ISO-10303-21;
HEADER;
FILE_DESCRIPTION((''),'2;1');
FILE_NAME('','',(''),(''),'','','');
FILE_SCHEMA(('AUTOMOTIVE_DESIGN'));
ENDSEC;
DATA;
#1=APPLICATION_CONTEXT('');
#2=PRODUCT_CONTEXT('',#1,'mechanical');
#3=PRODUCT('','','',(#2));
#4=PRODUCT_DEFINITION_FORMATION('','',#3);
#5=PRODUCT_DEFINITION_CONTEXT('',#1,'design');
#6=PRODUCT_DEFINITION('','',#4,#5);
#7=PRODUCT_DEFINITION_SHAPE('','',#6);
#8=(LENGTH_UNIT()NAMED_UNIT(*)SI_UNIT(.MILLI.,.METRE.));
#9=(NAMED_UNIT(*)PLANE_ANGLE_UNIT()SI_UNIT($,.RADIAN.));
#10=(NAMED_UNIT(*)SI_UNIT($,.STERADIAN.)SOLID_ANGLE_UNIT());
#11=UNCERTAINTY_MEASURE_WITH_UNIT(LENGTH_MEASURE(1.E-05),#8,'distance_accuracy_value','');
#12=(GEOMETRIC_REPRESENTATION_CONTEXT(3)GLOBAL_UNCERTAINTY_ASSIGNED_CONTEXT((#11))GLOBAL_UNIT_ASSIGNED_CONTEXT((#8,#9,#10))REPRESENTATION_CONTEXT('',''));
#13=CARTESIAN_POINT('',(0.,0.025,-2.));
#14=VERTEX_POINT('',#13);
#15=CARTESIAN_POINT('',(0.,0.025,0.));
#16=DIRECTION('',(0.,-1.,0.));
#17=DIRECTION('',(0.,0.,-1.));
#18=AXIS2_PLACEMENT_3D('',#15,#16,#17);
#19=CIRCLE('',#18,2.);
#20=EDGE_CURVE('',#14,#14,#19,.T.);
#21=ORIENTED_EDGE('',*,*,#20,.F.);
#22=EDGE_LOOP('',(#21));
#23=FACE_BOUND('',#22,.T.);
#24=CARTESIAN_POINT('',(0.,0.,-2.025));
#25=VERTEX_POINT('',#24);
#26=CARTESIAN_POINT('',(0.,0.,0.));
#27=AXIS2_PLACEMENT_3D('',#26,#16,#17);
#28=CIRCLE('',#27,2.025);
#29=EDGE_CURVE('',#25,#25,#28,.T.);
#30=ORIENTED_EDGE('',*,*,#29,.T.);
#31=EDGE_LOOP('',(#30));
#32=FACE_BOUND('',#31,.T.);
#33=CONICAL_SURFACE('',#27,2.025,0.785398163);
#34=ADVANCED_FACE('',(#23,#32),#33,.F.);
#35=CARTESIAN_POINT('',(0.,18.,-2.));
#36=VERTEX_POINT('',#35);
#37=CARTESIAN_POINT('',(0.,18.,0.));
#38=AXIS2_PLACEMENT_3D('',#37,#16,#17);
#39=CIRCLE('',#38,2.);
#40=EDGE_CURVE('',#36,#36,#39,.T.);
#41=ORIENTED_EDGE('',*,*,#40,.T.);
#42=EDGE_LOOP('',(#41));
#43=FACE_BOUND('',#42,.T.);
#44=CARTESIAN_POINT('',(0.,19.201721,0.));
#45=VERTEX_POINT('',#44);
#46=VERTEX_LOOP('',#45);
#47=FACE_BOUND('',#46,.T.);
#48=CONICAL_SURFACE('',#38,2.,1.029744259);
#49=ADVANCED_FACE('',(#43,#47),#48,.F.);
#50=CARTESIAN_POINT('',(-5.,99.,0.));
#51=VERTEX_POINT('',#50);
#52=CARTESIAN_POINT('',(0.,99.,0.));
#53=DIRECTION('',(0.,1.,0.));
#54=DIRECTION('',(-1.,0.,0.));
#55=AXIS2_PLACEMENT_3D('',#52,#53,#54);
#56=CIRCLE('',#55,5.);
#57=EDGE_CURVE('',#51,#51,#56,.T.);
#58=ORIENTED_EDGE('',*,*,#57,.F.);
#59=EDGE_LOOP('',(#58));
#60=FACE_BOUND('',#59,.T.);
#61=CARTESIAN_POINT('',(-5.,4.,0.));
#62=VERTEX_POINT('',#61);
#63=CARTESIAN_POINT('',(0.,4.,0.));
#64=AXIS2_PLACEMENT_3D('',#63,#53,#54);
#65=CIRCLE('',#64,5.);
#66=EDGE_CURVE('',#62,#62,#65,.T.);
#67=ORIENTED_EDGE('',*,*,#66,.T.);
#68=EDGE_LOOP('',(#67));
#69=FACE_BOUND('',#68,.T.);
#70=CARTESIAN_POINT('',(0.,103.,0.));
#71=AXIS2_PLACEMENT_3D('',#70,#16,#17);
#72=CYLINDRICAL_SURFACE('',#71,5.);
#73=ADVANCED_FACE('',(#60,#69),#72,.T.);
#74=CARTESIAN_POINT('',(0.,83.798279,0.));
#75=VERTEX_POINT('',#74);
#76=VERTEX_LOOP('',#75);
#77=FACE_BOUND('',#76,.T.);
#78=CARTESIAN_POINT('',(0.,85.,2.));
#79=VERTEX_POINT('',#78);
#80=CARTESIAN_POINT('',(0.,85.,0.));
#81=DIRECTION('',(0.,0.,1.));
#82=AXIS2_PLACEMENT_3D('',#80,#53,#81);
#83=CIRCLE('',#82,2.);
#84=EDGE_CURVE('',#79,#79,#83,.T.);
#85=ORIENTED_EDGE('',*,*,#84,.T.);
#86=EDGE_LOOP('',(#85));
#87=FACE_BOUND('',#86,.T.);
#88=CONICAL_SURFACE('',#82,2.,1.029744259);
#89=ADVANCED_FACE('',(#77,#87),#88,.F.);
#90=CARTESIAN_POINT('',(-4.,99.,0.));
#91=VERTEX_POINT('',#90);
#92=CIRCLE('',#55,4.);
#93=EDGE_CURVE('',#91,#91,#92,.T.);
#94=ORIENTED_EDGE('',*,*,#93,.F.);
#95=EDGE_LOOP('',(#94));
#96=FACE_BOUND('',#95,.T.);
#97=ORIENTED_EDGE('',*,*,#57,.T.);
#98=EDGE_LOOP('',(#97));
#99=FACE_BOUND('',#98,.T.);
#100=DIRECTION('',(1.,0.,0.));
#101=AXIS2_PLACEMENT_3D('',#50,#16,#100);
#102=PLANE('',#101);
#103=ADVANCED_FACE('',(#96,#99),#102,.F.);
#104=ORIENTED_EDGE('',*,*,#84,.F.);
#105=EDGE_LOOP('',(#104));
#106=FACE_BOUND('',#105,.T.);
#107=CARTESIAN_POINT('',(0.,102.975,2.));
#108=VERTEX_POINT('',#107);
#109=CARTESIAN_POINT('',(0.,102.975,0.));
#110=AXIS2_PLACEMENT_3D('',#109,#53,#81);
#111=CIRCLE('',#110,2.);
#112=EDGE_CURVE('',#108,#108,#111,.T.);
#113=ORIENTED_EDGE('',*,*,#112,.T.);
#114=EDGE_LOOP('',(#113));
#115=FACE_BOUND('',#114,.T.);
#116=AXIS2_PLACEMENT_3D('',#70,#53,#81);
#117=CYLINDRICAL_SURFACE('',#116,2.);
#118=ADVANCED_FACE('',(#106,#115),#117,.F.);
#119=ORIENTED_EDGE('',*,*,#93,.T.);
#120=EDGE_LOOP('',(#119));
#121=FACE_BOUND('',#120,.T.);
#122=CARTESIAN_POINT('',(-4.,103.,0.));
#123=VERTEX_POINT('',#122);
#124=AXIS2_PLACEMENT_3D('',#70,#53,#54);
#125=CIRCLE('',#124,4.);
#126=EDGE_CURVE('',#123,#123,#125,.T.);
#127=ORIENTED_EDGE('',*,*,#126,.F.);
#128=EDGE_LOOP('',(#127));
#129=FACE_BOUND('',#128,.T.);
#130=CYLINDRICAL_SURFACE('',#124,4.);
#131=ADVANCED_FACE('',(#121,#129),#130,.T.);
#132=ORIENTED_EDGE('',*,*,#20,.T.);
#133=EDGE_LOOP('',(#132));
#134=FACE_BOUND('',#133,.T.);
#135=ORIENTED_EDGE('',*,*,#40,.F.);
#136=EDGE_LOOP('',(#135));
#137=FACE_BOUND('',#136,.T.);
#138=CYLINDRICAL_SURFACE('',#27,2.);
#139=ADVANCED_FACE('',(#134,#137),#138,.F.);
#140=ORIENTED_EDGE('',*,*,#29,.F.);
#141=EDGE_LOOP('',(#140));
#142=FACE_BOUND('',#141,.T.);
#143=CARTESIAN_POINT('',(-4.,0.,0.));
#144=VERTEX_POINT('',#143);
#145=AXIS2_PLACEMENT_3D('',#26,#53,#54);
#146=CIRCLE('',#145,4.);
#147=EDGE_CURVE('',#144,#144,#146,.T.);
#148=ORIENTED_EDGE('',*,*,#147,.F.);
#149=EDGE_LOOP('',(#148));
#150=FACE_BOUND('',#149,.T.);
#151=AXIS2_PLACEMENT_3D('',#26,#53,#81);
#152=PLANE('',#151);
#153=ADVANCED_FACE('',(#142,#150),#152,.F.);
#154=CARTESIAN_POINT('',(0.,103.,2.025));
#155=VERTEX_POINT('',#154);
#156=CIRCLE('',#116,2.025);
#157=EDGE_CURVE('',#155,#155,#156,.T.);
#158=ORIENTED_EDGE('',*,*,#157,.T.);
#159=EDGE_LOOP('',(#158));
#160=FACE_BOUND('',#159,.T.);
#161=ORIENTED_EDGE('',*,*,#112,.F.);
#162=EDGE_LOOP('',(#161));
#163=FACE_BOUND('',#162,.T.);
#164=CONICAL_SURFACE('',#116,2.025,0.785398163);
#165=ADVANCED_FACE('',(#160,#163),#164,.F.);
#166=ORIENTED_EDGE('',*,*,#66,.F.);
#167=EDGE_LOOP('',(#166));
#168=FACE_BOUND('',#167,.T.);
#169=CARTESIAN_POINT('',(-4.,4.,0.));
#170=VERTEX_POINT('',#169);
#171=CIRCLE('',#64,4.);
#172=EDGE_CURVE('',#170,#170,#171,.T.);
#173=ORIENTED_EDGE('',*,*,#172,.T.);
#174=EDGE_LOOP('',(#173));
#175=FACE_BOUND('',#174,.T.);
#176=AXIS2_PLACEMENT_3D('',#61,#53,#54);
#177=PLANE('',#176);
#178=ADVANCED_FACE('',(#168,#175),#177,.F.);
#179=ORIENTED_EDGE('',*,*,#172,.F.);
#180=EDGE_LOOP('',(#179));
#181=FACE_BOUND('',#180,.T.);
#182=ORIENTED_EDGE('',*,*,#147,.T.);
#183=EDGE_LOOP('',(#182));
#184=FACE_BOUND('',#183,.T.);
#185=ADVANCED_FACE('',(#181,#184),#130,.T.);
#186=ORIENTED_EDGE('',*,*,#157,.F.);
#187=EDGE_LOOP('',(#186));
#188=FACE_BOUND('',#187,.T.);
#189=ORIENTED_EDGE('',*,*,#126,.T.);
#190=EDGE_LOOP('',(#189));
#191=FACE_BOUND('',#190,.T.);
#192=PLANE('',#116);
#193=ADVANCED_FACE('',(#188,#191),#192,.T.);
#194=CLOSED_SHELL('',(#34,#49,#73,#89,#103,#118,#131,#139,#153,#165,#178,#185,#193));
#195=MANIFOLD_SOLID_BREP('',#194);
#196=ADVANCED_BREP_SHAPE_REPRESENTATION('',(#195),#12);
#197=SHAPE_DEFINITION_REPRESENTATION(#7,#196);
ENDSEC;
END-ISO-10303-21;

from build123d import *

# Parameters (mm, degrees)
SKETCH1_R           = 5
BOSS_EXTRUDE1_DEPTH = 103
SKETCH5_W           = 1
SKETCH5_H           = 4


with BuildPart() as part:
    # Sketch1 → Boss-Extrude1 (new body)
    with BuildSketch(Plane(origin=(0, 0, 0), x_dir=(1, 0, 0), z_dir=(0, 1, 0))):
        Circle(SKETCH1_R)
    extrude(amount=BOSS_EXTRUDE1_DEPTH)

    # Sketch4 → Ø4.0mm Dowel Hole1 (revolve, cut)
    with BuildSketch(Plane(origin=(0, 103, 0), x_dir=(0, 0, 1), z_dir=(1, 0, 0))):
        Polygon((0, 0), (0, 19.201721238), (2, 18), (2, 0.025), (2.025, 0), align=None)
    f_4_0mm_dowel_hole1 = revolve(axis=Axis((0, 109.35, 0), (0, -1, 0)), mode=Mode.SUBTRACT)

    # Mirror1: Ø4.0mm Dowel Hole1 across plane
    add(f_4_0mm_dowel_hole1.mirror(Plane.ZX.offset(51.5)), mode=Mode.SUBTRACT)

    # Sketch5 → Cut-Revolve2 (revolve, cut)
    with BuildSketch(Plane.XY):
        with Locations((-4.5, 101)):
            Rectangle(SKETCH5_W, SKETCH5_H)
        with Locations((-4.5, 2)):
            Rectangle(SKETCH5_W, SKETCH5_H)
    revolve(axis=Axis((0, 103, 0), (0, -1, 0)), mode=Mode.SUBTRACT)


solid = part.part
